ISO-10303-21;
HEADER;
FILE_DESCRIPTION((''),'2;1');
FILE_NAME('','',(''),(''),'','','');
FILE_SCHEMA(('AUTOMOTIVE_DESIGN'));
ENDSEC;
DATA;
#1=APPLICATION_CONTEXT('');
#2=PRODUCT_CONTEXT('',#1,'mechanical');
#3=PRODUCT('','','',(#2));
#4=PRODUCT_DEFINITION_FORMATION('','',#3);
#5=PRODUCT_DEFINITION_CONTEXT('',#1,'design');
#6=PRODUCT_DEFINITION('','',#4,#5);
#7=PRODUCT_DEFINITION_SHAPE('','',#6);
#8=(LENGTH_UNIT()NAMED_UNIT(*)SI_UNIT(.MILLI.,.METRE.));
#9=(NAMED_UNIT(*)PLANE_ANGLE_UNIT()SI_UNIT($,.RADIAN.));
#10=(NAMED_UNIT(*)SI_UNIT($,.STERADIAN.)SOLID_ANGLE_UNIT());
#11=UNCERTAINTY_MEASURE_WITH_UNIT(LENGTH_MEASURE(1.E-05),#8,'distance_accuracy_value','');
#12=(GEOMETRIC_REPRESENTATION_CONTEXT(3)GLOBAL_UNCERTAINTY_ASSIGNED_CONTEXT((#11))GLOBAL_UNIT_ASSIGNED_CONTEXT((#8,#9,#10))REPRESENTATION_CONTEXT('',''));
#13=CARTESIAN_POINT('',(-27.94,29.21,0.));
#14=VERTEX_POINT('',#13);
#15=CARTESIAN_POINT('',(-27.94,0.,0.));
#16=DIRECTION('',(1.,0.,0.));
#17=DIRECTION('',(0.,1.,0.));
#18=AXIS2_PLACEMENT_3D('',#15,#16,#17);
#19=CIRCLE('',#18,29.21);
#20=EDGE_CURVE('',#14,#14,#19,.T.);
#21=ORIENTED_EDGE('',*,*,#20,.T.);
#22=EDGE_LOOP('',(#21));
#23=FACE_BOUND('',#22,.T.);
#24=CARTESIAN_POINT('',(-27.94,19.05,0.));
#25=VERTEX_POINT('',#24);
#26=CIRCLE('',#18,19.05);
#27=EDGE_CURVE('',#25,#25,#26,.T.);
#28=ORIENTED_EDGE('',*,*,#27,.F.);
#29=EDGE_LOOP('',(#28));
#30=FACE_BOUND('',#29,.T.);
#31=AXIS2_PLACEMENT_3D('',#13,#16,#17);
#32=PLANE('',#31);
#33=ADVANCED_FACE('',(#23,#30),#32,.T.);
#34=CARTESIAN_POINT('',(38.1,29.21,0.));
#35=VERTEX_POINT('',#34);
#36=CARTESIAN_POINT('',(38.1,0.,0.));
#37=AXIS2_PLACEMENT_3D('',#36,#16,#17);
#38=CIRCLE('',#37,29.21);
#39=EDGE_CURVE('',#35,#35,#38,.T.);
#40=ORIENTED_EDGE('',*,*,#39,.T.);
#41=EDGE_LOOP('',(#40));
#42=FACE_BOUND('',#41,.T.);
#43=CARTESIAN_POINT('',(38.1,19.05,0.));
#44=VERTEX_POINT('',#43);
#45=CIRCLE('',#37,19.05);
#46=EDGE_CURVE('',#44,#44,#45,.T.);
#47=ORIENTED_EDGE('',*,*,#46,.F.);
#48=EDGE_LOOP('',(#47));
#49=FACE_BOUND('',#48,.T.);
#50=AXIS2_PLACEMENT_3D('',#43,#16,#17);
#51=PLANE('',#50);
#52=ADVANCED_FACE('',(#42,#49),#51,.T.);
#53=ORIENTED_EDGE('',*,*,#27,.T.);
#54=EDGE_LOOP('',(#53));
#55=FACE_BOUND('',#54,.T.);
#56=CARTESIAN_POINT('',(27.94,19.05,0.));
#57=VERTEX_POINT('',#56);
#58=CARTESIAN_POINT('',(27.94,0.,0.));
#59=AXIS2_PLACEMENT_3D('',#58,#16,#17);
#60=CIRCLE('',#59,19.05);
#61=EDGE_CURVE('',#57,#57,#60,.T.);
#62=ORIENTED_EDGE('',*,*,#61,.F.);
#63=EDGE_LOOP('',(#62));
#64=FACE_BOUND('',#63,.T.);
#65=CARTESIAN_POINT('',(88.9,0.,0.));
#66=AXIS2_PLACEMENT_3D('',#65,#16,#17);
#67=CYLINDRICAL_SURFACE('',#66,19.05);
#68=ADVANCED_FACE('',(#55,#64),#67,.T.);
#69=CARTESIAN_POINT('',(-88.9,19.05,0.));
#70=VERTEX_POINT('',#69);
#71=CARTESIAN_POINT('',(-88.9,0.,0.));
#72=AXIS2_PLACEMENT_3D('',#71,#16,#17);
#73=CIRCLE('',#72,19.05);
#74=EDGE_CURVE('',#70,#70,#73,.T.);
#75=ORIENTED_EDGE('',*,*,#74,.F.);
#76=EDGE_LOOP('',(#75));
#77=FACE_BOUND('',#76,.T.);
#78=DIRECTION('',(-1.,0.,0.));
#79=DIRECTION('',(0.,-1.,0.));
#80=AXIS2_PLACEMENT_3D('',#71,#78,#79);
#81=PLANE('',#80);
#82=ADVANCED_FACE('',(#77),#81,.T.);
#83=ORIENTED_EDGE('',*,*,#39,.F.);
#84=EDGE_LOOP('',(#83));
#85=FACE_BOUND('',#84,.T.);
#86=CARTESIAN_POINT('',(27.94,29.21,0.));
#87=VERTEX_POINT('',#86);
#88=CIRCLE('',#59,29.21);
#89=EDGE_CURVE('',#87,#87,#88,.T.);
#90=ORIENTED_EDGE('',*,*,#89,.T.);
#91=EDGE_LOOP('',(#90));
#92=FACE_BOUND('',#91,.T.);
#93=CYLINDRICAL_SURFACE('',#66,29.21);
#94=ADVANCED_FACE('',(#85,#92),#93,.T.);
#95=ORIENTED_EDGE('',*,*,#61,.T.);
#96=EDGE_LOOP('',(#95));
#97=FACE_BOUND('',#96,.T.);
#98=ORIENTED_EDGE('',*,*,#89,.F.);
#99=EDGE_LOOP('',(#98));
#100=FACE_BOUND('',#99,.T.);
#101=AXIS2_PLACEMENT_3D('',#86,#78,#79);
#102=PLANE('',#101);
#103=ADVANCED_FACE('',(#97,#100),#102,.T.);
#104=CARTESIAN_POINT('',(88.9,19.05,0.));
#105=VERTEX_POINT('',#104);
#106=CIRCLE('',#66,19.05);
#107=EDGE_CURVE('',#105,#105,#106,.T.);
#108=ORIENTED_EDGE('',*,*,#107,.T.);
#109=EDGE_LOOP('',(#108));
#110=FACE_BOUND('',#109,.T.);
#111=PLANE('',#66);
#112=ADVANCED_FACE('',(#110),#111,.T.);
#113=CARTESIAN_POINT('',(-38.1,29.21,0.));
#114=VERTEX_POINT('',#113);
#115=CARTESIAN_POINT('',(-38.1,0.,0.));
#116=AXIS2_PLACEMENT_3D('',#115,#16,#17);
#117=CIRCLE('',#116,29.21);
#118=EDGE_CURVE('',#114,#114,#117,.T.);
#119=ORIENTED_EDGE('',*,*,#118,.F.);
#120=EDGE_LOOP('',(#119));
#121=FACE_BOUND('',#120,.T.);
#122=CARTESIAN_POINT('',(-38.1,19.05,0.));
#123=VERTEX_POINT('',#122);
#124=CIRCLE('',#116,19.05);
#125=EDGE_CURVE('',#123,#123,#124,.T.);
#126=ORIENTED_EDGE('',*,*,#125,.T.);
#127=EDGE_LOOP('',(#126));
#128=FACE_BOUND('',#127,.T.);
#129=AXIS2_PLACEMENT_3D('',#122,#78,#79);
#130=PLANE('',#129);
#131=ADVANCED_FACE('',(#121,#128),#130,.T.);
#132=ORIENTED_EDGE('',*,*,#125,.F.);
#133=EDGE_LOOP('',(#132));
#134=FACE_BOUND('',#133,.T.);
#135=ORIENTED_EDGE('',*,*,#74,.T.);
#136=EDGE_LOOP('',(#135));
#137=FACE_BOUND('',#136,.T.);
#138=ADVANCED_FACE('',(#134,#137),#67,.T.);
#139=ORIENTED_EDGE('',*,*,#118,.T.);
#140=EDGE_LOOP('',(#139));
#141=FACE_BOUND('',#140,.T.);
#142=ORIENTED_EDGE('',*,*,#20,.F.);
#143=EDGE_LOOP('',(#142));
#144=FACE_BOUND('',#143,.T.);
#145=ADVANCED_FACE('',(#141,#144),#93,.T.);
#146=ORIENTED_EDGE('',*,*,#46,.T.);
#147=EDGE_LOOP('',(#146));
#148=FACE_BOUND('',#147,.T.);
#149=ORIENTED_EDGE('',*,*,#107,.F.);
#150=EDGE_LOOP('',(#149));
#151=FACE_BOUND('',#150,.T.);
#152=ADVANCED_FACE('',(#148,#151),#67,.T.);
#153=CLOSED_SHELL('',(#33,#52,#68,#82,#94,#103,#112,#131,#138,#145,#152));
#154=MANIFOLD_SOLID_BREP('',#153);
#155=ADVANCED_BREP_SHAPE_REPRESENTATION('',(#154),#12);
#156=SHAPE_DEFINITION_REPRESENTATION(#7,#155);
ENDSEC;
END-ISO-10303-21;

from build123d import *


with BuildPart() as part:
    # Sketch2 → Revolve1 (revolve)
    with BuildSketch(Plane.XY):
        Polygon((88.9, 0), (-88.9, 0), (-88.9, 19.05), (-38.1, 19.05), (-38.1, 29.21), (-27.94, 29.21), (-27.94, 19.05), (27.94, 19.05), (27.94, 29.21), (38.1, 29.21), (38.1, 19.05), (88.9, 19.05), align=None)
    revolve(axis=Axis((88.9, 0, 0), (-1, 0, 0)))


solid = part.part
